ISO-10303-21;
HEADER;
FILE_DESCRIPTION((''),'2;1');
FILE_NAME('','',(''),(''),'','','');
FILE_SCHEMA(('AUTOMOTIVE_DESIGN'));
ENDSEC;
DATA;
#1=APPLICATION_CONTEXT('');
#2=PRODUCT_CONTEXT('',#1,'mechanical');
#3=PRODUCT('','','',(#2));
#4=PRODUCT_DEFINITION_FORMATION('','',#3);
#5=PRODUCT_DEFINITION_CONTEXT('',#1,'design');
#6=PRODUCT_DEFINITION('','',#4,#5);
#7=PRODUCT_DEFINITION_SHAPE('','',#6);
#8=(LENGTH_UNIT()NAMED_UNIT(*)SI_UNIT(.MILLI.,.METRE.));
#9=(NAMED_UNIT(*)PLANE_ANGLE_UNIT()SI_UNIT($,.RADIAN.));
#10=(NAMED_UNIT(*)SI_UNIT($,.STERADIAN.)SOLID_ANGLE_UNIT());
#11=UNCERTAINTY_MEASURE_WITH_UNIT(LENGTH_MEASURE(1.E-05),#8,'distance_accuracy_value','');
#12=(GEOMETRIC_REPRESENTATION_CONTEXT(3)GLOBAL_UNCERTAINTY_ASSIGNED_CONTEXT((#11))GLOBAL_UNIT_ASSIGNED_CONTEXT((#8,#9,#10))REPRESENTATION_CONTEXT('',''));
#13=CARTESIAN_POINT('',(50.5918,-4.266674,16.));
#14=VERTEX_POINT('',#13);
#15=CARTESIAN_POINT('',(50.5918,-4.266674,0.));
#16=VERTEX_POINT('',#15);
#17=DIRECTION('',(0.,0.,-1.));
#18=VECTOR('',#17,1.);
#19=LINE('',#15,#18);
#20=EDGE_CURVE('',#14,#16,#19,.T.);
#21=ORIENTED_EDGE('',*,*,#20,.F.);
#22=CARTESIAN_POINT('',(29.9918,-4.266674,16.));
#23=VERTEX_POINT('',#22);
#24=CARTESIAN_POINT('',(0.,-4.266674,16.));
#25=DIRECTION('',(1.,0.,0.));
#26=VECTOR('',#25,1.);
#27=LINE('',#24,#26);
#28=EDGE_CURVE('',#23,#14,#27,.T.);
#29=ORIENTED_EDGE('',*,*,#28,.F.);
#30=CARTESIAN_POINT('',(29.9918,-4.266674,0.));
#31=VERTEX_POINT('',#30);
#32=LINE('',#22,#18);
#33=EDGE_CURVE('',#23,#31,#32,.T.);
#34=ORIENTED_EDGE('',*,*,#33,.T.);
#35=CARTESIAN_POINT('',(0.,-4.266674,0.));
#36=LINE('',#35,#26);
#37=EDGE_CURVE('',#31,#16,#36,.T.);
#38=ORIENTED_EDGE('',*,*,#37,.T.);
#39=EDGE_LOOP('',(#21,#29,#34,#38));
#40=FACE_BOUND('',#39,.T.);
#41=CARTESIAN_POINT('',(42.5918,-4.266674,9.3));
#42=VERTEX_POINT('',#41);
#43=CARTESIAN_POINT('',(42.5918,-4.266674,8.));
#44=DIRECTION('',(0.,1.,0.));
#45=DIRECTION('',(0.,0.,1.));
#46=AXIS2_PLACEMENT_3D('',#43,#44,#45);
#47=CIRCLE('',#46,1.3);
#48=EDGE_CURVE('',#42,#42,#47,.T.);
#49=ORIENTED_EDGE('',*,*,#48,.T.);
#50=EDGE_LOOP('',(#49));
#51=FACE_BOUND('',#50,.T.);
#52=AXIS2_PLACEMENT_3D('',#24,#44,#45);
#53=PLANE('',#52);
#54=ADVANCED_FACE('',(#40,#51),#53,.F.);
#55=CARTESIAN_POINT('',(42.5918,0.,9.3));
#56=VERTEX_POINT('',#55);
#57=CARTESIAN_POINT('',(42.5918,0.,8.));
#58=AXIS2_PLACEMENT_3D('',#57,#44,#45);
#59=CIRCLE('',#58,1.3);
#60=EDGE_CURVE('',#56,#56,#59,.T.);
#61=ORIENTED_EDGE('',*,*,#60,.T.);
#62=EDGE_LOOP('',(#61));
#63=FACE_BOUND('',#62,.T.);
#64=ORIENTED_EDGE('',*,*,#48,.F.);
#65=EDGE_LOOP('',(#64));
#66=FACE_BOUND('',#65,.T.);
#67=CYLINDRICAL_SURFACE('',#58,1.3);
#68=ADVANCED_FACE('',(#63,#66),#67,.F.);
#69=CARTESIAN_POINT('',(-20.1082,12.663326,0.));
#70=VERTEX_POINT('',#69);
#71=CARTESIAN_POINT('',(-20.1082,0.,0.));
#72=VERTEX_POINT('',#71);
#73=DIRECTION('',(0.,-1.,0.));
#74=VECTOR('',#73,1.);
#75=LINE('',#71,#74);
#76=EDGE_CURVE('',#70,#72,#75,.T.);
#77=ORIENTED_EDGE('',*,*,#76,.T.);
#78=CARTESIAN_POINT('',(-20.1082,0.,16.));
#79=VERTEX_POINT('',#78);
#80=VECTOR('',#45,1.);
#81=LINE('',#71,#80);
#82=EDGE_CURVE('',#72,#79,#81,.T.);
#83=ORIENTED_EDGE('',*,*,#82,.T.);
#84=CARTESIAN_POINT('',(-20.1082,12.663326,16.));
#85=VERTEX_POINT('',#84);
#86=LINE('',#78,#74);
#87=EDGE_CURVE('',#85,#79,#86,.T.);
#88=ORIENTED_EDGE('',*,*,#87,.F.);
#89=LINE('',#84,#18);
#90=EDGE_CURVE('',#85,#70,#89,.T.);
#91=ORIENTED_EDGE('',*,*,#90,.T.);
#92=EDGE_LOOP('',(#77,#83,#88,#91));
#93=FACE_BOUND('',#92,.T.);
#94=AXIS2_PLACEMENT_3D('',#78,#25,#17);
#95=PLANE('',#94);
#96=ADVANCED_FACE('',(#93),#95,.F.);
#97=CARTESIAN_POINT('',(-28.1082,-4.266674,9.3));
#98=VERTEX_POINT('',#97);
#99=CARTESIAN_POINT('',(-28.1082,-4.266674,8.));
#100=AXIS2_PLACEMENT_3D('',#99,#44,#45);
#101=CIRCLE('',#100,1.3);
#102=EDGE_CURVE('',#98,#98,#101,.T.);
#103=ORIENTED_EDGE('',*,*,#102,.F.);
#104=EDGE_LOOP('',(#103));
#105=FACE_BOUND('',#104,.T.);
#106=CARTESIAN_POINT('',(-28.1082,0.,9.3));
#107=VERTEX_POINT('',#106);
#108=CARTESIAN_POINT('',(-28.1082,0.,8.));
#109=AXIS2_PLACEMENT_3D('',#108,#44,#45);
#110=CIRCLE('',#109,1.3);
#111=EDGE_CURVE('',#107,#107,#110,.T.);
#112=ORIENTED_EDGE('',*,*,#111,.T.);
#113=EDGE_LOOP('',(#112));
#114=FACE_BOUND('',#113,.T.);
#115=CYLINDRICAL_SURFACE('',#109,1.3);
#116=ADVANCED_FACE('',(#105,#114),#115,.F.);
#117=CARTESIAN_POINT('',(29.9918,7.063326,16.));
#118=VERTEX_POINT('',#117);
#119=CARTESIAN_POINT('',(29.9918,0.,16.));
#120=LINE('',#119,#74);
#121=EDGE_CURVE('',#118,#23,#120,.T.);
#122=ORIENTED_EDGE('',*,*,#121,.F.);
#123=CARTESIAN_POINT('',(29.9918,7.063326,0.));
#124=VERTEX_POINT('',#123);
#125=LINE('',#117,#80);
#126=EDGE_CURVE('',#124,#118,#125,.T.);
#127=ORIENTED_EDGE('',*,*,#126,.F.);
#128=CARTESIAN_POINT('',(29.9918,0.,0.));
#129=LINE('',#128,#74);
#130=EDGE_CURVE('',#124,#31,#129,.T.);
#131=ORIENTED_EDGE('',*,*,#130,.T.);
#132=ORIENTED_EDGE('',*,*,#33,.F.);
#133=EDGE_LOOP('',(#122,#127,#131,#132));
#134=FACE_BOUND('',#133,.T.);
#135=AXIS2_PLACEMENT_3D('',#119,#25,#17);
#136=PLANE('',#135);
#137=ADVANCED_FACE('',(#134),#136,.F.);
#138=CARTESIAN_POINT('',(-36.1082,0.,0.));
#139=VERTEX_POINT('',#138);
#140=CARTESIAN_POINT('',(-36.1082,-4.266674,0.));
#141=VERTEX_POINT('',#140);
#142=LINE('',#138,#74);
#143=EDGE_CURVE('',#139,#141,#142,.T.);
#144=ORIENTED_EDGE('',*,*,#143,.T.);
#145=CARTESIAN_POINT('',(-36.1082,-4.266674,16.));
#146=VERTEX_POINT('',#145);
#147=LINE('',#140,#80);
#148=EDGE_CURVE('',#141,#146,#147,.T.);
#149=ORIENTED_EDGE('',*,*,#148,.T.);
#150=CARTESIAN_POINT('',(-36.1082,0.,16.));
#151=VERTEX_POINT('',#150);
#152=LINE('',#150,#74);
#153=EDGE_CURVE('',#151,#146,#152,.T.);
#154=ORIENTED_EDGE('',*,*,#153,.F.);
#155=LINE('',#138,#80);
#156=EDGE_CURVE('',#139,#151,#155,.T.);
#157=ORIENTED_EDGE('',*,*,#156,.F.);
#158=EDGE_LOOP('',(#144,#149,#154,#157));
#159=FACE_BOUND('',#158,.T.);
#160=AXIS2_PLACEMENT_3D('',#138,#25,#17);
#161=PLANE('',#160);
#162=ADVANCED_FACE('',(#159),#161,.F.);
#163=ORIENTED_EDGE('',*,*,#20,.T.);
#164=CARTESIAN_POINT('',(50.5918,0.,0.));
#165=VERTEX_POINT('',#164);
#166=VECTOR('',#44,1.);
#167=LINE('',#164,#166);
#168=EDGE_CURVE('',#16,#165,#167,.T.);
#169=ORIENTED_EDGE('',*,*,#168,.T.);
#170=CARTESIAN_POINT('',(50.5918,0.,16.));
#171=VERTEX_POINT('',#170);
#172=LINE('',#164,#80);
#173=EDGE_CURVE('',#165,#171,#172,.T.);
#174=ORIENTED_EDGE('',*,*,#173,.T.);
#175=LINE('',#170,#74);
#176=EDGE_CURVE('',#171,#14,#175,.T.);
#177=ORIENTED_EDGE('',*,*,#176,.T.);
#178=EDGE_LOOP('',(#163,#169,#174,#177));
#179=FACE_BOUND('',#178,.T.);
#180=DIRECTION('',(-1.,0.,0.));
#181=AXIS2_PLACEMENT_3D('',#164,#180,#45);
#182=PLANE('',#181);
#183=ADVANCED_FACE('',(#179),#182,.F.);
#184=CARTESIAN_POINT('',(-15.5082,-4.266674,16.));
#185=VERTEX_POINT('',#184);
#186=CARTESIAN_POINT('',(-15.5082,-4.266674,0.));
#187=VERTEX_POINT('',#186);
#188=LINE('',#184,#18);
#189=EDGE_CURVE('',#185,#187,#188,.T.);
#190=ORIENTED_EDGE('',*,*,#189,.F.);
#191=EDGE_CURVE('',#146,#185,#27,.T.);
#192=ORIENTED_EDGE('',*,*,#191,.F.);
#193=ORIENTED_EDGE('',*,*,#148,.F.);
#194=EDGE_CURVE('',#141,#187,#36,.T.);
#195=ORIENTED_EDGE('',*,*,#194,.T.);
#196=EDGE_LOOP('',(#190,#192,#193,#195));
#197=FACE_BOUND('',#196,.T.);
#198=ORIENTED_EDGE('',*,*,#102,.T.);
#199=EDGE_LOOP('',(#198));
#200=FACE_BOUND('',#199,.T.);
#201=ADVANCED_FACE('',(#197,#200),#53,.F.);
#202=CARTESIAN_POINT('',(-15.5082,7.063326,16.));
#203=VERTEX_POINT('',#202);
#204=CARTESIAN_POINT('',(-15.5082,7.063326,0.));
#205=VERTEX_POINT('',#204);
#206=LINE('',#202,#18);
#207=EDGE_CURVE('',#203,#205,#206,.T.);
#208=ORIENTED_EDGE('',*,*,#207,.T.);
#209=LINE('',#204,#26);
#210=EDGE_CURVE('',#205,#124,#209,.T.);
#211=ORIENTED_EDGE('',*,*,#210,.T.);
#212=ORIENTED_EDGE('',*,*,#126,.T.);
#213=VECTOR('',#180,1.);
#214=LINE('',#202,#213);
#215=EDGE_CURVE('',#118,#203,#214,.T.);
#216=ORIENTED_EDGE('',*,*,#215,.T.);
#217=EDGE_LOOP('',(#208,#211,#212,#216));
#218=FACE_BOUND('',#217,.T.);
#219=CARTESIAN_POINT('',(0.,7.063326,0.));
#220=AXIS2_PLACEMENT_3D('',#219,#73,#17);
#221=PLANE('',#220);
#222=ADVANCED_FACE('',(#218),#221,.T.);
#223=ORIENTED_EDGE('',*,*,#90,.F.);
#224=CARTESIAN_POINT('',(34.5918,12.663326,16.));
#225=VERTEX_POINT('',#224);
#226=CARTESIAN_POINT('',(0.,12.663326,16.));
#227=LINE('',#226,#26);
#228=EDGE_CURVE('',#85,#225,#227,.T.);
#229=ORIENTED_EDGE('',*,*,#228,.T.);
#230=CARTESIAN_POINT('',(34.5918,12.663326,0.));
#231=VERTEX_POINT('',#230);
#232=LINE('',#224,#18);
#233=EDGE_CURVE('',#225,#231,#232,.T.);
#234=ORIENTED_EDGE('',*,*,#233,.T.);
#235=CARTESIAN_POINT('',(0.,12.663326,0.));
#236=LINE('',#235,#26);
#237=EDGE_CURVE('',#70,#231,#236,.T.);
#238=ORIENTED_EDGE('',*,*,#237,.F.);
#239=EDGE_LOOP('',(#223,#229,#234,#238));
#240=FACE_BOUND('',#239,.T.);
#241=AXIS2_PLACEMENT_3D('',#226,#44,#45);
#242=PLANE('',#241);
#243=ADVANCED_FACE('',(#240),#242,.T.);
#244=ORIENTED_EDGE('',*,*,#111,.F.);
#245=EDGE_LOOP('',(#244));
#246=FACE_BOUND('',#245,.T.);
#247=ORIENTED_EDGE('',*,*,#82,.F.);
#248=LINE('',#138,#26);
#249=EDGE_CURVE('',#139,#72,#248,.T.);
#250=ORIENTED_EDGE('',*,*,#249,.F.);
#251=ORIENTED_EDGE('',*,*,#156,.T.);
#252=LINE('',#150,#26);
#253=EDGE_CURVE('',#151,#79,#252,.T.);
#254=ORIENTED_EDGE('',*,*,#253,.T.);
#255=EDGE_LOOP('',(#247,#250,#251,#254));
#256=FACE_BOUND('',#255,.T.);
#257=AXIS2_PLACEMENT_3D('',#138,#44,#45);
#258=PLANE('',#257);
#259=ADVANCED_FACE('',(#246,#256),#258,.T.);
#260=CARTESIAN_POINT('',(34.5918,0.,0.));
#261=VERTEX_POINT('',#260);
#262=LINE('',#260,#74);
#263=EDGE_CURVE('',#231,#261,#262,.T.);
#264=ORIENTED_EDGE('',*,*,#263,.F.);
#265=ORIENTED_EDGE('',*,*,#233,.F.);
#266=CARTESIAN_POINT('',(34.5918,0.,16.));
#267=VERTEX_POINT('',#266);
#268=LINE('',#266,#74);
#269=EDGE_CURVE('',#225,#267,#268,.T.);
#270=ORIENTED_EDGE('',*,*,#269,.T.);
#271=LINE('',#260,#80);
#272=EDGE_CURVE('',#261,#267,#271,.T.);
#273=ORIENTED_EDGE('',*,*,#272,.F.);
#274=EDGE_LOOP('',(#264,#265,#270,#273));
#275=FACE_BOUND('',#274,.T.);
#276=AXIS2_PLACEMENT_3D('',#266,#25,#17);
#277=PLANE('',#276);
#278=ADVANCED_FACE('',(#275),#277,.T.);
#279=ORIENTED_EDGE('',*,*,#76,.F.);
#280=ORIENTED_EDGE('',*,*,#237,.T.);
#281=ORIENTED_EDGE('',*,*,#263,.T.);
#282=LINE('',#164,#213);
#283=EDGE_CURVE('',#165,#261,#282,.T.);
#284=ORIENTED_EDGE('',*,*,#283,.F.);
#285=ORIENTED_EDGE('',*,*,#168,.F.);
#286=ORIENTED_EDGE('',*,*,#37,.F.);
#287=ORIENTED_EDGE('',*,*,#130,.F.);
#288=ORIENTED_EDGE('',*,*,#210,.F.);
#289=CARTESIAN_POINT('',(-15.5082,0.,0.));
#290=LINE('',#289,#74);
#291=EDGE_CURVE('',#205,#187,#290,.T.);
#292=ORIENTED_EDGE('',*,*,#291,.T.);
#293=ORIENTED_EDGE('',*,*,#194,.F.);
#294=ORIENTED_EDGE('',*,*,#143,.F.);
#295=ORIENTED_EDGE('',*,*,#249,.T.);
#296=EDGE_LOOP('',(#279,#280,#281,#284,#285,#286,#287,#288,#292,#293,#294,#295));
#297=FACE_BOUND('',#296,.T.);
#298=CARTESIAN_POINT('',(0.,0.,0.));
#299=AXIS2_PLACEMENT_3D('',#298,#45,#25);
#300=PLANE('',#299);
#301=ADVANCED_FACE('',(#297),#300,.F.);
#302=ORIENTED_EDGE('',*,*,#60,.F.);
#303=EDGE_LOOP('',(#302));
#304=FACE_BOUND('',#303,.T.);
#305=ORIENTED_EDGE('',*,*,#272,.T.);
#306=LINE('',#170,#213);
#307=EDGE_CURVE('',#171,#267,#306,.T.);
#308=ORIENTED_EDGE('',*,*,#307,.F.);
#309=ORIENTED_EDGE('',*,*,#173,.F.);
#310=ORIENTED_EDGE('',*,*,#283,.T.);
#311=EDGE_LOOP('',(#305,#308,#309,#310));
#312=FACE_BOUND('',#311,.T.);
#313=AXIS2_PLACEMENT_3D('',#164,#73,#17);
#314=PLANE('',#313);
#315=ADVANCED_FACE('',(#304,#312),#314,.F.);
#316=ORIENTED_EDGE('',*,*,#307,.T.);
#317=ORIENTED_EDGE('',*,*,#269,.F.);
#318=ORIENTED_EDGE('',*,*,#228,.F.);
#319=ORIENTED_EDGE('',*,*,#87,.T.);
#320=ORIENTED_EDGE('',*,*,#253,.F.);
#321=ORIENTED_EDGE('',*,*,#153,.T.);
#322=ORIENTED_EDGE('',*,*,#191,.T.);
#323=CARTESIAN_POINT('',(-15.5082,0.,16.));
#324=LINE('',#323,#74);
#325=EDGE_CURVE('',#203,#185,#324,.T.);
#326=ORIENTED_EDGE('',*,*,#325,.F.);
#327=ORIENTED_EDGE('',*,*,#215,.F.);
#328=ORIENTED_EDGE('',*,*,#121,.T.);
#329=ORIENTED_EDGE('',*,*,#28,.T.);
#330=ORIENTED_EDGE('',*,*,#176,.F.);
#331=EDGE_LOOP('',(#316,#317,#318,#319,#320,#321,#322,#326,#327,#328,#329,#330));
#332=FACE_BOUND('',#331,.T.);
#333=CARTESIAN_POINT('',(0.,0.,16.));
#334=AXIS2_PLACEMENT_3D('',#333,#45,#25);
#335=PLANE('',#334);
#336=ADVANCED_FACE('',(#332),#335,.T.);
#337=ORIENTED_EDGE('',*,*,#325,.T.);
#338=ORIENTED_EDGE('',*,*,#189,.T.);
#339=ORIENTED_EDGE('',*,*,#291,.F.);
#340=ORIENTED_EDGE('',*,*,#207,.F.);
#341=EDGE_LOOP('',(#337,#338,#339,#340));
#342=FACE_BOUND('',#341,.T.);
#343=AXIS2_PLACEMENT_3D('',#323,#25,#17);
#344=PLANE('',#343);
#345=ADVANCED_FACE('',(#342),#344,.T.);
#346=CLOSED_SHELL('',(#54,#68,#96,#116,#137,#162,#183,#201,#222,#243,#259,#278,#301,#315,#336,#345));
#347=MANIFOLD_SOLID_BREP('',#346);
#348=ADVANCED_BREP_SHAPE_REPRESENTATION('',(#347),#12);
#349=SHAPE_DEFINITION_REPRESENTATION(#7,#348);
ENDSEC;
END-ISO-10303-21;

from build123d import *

# Parameters (mm, degrees)
EXTRUDE_1_DEPTH = 16
SKETCH_3_W      = 16
SKETCH_3_H      = 4.26667426
EXTRUDE_3_DEPTH = 16
SKETCH_23_W     = 16
SKETCH_23_H     = 4.26667426
EXTRUDE_4_DEPTH = 16
F_2_0MM_2_D     = 2.6
F_2_0MM_3_D     = 2.6
SKETCH_33_W     = 45.5
SKETCH_33_H     = 16
EXTRUDE_5_DEPTH = 1


with BuildPart() as part:
    # 草图2 → 凸台-拉伸1 (new body)
    with BuildSketch(Plane.XY):
        Polygon((34.591799544, 12.66332574), (-20.108200456, 12.66332574), (-20.108200456, -4.26667426), (-15.508200456, -4.26667426), (-15.508200456, 8.06332574), (29.991799544, 8.06332574), (29.991799544, -4.26667426), (34.591799544, -4.26667426), align=None)
    extrude(amount=EXTRUDE_1_DEPTH)

    # 草图3 → 凸台-拉伸3 (add)
    with BuildSketch(Plane.ZY.offset(20.108200456)):
        with Locations((8, -2.13333713)):
            Rectangle(SKETCH_3_W, SKETCH_3_H)
    extrude(amount=EXTRUDE_3_DEPTH)

    # 草图23 → 凸台-拉伸4 (add)
    with BuildSketch(Plane(origin=(34.591799544, 0, 0), x_dir=(0, 0, -1), z_dir=(1, 0, 0))):
        with Locations((-8, -2.13333713)):
            Rectangle(SKETCH_23_W, SKETCH_23_H)
    extrude(amount=EXTRUDE_4_DEPTH)

    # Ø2.0mm 暗销孔2 (through all)
    with Locations(Plane(origin=(0, 0, 0), x_dir=(1, 0, 0), z_dir=(0, 1, 0))):
        with Locations((42.591799544, -8)):
            Hole(F_2_0MM_2_D / 2)

    # Ø2.0mm 暗销孔3 (through all)
    with Locations(Plane(origin=(0, 0, 0), x_dir=(1, 0, 0), z_dir=(0, 1, 0))):
        with Locations((-28.108200456, -8)):
            Hole(F_2_0MM_3_D / 2)

    # 草图33 → 凸台-拉伸5 (add)
    with BuildSketch(Plane.XZ.offset(-8.06332574)):
        with Locations((7.241799544, 8)):
            Rectangle(SKETCH_33_W, SKETCH_33_H)
    extrude(amount=EXTRUDE_5_DEPTH)


solid = part.part
